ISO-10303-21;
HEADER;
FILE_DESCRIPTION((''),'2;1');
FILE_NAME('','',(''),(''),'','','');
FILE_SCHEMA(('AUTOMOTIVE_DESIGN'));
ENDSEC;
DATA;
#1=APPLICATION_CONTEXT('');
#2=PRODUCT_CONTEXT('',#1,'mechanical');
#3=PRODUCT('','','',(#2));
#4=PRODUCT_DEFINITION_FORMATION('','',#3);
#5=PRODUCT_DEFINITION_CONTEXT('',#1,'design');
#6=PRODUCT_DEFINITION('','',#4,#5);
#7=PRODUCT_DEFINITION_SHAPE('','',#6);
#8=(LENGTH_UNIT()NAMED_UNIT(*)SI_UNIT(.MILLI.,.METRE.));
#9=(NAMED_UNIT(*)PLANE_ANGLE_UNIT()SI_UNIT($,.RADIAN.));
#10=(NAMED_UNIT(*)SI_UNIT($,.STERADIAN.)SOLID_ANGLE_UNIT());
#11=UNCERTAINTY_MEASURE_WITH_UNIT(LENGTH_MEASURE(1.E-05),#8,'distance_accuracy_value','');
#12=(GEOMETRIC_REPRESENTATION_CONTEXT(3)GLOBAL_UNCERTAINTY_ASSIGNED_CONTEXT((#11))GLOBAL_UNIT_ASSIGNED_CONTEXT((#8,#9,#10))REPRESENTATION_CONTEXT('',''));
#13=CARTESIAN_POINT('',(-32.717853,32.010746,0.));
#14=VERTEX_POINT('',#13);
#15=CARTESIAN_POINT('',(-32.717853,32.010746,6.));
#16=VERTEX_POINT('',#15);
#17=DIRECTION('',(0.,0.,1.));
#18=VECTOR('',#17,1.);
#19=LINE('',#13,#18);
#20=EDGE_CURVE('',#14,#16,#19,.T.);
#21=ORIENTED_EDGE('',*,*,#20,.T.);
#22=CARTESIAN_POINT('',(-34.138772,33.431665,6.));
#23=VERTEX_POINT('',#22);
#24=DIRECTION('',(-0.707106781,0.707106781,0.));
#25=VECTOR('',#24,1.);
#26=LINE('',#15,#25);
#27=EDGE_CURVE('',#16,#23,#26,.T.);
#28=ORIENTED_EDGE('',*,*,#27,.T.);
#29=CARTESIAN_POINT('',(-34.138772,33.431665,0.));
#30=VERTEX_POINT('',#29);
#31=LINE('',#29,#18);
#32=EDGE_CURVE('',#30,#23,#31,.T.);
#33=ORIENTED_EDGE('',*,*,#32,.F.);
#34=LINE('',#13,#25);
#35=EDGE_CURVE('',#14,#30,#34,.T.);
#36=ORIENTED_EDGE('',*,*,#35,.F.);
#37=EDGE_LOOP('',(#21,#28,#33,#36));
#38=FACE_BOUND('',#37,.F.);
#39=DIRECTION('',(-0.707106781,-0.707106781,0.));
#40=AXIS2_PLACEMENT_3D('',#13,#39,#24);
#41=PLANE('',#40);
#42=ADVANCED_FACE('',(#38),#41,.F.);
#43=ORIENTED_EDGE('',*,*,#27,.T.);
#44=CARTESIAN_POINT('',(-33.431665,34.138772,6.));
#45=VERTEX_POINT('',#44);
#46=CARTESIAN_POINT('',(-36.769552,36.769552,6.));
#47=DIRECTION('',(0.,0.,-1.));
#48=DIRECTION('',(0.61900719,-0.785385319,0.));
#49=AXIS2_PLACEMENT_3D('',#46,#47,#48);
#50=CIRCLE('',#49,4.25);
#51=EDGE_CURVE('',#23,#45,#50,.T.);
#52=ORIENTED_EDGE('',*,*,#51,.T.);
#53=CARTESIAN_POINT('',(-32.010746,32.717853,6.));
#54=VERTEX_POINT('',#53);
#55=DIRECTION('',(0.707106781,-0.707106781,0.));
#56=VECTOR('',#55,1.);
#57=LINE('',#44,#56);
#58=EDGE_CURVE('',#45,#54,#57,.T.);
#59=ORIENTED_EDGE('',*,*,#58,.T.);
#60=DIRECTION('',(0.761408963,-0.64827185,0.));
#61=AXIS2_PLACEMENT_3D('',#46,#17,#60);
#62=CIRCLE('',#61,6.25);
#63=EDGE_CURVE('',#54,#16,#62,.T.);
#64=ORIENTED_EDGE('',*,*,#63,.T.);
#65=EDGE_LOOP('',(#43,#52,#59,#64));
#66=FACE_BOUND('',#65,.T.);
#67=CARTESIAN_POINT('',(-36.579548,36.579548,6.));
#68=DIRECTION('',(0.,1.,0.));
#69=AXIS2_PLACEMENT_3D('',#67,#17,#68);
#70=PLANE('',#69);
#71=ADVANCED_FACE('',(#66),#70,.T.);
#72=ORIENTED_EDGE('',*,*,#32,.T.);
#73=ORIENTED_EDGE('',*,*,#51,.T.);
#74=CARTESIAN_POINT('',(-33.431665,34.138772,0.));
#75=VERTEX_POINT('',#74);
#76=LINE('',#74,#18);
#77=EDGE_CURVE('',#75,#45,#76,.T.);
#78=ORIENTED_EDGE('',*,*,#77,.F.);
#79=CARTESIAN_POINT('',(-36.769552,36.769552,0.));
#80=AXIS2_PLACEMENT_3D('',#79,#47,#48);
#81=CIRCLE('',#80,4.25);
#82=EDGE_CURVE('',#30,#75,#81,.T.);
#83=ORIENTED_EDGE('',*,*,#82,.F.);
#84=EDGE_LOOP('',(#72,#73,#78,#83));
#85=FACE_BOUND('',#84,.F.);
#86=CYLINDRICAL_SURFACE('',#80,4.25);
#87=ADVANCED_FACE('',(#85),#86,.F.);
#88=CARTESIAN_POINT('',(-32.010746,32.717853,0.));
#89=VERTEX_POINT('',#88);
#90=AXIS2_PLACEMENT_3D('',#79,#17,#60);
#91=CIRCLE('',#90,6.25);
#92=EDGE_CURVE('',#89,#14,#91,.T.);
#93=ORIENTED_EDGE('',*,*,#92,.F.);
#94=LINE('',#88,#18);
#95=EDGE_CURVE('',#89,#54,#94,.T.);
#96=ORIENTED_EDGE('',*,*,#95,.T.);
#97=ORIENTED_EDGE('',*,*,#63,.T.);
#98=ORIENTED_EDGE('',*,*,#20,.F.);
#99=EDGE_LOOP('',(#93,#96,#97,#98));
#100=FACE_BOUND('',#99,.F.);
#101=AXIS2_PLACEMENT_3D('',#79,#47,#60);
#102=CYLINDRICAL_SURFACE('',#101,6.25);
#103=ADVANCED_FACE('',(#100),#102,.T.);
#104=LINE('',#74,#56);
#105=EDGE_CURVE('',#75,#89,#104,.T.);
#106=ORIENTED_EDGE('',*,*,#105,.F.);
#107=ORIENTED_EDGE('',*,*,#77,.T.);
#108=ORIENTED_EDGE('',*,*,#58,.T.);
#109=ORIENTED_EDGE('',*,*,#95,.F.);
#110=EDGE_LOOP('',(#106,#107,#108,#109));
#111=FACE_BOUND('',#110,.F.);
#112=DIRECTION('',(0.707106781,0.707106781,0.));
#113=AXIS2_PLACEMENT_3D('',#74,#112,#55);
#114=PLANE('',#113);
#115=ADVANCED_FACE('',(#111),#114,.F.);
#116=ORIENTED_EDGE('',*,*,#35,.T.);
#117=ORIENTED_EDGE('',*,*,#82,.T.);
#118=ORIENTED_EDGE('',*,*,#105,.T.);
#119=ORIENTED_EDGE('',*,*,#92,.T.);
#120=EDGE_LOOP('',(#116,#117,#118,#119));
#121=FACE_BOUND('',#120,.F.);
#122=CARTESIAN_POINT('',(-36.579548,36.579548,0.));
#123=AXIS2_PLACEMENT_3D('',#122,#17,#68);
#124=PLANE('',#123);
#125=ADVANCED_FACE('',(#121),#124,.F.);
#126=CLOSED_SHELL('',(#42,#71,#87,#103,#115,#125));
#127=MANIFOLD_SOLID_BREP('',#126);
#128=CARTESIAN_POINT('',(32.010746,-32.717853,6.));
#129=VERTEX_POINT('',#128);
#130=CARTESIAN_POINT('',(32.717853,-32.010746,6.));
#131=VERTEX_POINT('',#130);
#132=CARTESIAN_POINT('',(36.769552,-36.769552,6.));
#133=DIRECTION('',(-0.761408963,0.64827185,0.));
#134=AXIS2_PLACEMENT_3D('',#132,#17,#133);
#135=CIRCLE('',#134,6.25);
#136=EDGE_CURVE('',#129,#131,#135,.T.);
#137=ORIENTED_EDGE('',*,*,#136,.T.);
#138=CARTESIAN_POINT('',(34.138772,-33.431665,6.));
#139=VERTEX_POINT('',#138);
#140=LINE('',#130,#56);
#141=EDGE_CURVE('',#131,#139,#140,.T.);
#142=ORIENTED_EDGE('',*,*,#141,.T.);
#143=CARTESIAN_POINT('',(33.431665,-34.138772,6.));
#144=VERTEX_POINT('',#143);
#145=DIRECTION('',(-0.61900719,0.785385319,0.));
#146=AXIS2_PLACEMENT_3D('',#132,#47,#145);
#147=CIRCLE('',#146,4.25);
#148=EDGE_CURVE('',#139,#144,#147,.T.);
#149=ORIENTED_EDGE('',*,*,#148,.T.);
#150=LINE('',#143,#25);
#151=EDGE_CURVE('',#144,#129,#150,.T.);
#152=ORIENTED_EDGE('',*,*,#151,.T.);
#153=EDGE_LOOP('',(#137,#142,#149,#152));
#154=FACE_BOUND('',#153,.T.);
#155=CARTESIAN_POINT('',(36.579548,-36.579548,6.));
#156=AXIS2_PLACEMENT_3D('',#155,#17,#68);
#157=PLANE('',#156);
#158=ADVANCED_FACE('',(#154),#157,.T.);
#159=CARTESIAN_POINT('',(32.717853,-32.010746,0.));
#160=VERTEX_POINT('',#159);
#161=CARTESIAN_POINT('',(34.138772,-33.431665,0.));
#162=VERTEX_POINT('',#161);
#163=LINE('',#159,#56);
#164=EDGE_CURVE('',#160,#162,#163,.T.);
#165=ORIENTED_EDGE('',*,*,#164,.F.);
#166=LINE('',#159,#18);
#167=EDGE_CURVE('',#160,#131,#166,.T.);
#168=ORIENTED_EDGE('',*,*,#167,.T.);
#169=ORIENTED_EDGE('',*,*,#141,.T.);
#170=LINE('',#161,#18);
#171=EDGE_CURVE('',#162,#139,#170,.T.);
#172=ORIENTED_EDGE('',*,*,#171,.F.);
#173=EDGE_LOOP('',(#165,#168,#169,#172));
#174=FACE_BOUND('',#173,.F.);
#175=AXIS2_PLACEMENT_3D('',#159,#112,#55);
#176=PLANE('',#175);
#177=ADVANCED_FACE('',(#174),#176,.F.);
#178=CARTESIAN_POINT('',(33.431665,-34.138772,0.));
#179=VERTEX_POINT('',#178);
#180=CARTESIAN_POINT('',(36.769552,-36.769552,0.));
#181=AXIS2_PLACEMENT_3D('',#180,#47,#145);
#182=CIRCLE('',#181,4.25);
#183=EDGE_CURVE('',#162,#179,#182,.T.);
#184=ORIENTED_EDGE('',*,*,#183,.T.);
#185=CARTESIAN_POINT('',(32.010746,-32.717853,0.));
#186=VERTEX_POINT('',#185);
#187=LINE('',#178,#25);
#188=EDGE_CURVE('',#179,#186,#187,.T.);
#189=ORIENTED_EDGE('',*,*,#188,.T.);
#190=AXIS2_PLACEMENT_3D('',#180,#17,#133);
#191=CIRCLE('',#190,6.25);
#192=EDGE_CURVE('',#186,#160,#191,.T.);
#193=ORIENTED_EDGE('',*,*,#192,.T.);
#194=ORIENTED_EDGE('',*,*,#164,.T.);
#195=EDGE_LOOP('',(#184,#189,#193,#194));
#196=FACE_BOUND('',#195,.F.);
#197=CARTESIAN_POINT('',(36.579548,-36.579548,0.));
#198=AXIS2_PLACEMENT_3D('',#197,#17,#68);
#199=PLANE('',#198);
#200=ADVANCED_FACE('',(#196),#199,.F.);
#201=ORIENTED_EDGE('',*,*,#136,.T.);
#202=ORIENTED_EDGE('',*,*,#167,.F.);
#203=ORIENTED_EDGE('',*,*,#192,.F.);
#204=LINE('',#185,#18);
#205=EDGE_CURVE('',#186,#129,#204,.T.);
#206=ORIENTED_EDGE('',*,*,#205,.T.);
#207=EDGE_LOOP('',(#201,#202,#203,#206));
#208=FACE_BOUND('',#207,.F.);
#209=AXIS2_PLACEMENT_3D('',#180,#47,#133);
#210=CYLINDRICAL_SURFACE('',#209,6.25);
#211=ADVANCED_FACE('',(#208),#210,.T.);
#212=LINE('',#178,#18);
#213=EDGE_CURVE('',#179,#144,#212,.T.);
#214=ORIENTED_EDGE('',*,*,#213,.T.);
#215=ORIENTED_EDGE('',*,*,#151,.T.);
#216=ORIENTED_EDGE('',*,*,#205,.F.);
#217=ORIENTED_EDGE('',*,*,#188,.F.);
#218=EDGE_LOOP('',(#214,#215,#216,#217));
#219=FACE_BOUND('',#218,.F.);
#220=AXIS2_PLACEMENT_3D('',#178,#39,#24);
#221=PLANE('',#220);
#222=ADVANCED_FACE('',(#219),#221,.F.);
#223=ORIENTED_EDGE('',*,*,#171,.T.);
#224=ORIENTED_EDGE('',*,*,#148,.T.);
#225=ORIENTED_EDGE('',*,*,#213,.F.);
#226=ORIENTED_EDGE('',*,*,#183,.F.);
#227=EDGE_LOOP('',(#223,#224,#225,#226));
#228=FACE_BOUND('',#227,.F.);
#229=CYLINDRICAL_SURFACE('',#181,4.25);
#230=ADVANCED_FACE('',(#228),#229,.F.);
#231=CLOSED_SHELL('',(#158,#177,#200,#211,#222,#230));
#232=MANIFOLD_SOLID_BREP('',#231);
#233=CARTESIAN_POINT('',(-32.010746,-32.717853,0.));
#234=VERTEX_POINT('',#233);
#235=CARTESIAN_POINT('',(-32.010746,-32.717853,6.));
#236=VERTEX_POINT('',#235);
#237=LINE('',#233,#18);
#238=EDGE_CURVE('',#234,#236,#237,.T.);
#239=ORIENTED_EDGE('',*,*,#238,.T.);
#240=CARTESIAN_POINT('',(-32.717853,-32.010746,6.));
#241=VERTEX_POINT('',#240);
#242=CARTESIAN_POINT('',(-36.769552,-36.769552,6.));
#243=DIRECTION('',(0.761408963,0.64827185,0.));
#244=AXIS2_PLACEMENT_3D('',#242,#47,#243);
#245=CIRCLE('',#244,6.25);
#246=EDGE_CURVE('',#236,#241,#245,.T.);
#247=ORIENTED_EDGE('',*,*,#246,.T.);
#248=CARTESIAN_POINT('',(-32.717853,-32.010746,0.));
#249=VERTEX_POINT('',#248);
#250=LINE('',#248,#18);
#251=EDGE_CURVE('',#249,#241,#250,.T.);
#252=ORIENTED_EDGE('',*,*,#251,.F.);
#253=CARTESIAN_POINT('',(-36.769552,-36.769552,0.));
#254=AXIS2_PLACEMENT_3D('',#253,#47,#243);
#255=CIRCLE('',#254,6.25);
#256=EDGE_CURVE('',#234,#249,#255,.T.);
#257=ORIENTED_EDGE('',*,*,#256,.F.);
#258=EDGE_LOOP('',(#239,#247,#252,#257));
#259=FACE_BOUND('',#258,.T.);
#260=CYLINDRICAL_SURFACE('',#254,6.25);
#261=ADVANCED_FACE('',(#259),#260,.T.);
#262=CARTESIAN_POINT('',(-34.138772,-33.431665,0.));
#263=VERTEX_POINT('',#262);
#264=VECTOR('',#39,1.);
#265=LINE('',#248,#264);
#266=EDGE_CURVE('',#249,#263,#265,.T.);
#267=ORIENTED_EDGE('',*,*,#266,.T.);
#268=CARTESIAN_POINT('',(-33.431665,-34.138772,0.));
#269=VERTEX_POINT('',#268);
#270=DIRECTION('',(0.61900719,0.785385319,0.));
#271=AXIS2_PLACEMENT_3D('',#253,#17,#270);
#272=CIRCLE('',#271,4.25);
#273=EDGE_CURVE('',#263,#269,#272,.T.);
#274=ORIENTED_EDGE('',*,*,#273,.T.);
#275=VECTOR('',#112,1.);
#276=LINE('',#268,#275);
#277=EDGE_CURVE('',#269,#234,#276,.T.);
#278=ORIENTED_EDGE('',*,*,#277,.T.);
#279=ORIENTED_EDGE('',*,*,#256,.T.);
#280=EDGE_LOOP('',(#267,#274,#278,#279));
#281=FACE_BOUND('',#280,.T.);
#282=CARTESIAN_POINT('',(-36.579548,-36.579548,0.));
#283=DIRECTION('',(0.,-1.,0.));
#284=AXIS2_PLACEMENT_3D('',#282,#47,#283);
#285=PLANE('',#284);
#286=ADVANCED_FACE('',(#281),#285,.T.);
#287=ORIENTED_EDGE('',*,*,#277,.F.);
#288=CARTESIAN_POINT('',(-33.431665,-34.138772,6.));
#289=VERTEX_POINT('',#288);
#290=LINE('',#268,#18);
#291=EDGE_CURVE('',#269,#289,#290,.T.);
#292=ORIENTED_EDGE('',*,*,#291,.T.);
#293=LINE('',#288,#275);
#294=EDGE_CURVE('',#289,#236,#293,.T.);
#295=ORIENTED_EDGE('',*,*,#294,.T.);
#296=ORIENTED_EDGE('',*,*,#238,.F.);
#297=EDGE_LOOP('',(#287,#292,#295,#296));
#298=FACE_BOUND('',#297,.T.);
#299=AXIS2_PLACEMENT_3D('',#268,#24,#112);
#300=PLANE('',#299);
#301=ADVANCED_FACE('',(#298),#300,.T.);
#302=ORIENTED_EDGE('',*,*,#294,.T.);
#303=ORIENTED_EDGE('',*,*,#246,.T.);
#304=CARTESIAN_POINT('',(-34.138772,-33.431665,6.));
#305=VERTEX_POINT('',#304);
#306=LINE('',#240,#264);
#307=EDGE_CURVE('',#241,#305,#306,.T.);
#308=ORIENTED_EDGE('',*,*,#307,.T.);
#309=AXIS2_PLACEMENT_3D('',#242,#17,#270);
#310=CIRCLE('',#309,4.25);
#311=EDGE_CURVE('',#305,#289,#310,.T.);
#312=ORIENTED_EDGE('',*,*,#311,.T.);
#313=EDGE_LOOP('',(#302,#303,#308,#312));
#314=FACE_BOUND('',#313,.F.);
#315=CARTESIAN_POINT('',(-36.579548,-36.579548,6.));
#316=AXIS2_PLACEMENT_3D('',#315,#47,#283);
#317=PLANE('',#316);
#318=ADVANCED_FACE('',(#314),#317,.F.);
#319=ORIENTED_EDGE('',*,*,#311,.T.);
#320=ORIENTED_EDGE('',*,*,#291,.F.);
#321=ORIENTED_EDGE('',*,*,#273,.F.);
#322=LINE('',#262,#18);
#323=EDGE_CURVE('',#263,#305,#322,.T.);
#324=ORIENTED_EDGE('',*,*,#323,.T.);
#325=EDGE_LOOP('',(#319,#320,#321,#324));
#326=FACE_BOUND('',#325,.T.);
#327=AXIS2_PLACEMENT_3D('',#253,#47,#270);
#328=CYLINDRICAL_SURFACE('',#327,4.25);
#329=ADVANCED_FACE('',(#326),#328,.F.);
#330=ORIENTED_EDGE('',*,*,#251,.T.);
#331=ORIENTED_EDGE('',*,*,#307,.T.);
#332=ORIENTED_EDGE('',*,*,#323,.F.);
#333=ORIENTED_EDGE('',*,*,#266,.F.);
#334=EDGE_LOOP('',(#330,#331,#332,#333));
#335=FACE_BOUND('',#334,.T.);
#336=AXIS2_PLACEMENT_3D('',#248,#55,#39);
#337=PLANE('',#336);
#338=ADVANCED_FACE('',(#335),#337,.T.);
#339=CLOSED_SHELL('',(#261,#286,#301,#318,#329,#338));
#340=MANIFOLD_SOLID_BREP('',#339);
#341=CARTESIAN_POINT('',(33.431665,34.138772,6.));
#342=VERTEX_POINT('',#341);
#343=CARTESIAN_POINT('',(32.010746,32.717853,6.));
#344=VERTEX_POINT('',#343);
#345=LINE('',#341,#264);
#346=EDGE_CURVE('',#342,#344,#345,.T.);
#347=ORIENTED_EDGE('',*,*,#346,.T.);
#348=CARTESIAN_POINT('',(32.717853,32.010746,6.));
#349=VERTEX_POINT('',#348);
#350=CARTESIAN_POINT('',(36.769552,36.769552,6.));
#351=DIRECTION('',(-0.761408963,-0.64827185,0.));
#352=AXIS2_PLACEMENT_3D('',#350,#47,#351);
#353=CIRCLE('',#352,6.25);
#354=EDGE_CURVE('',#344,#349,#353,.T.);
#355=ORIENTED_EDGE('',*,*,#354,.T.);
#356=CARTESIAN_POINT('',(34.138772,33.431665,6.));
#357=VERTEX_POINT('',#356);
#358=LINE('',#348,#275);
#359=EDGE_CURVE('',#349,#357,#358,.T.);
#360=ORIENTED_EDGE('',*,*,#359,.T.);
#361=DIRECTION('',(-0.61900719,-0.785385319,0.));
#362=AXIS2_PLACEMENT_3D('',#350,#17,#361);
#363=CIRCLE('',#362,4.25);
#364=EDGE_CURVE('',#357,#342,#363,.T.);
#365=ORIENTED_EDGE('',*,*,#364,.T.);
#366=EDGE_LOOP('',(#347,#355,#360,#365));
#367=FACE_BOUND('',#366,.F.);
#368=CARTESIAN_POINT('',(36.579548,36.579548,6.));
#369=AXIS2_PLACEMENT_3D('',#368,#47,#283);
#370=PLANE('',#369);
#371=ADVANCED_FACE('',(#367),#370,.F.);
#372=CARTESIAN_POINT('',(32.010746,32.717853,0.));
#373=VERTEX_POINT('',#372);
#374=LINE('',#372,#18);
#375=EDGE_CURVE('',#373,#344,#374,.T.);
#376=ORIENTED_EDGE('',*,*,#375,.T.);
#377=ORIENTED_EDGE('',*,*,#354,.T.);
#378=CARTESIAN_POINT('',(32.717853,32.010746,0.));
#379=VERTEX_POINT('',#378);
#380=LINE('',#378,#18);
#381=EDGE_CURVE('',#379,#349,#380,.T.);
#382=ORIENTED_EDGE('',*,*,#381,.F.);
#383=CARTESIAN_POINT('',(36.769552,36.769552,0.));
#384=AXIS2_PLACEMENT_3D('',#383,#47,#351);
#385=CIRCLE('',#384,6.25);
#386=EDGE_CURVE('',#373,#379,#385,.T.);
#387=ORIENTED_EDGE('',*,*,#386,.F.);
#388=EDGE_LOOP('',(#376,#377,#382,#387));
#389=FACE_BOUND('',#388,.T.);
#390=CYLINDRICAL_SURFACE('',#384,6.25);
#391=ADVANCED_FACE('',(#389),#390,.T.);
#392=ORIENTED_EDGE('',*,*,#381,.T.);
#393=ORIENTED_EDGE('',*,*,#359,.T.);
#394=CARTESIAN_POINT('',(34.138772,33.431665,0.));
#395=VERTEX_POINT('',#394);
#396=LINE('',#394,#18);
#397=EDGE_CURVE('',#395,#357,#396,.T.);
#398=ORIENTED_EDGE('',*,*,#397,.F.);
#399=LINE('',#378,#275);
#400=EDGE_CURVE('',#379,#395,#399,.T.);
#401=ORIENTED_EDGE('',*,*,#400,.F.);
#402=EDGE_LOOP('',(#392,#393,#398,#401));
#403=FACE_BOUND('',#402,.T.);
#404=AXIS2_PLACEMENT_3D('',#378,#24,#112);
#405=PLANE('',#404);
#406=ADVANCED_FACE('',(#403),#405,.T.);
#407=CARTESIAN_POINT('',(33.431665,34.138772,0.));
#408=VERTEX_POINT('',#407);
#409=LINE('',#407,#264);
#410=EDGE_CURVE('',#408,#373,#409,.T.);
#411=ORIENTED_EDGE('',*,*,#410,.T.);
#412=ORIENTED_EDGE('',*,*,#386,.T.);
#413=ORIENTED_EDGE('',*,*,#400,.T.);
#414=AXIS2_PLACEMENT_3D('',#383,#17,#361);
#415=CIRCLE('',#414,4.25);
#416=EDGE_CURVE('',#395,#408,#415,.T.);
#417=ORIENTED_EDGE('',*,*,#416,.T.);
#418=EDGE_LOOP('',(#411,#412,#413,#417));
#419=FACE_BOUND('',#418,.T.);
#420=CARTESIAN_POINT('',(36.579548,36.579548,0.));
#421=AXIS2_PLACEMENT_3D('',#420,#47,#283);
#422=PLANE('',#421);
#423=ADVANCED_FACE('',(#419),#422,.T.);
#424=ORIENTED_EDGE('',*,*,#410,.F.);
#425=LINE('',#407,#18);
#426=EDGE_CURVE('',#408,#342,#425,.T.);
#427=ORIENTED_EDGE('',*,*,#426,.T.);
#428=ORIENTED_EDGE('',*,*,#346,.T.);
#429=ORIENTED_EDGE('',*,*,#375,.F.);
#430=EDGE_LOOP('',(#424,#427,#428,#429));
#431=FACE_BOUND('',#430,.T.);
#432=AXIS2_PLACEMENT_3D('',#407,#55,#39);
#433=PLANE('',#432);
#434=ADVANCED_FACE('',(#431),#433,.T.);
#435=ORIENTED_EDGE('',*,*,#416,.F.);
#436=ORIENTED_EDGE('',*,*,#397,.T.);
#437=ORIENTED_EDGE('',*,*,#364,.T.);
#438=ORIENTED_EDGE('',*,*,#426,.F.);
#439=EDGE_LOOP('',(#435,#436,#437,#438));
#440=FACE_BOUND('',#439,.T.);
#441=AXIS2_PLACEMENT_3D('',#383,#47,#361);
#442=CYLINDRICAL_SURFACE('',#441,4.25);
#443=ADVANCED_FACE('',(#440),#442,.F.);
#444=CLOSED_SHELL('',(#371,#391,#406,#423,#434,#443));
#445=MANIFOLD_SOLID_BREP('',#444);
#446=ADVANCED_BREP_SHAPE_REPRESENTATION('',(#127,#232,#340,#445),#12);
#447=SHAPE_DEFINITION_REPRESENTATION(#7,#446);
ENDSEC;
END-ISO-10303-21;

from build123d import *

# Parameters (mm, degrees)
EXTRUDE_DEPTH    = 6
EXTRUDE001_DEPTH = 6
EXTRUDE002_DEPTH = 6
EXTRUDE003_DEPTH = 6


with BuildPart() as extrude_body:
    # Face → Extrude (new body)
    with BuildSketch(Plane(origin=(-36.885616, 36.885616, 0), x_dir=(0, 1, 0), z_dir=(0, 0, 1))):
        with BuildLine():
            Line((-2.746844, -3.453951), (-4.167763, -4.87487))
            ThreePointArc((-4.167763, -4.87487), (4.303354, 4.303354), (-4.87487, -4.167763))
            Line((-4.87487, -4.167763), (-3.453951, -2.746844))
            ThreePointArc((-3.453951, -2.746844), (2.88914, 2.88914), (-2.746844, -3.453951))
        make_face()
    extrude(amount=EXTRUDE_DEPTH)


with BuildPart() as extrude001:
    # Face001 → Extrude001 (new body)
    with BuildSketch(Plane(origin=(36.885616, 36.885616, 0), x_dir=(0, -1, 0), z_dir=(0, 0, -1))):
        with BuildLine():
            Line((2.746844, 3.453951), (4.167763, 4.87487))
            ThreePointArc((4.167763, 4.87487), (-4.303354, -4.303354), (4.87487, 4.167763))
            Line((4.87487, 4.167763), (3.453951, 2.746844))
            ThreePointArc((3.453951, 2.746844), (-2.88914, -2.88914), (2.746844, 3.453951))
        make_face()
    extrude(amount=-EXTRUDE001_DEPTH)


with BuildPart() as extrude002:
    # Face002 → Extrude002 (new body)
    with BuildSketch(Plane(origin=(36.885616, -36.885616, 0), x_dir=(0, 1, 0), z_dir=(0, 0, 1))):
        with BuildLine():
            Line((2.746844, 3.453951), (4.167763, 4.87487))
            ThreePointArc((4.167763, 4.87487), (-4.303354, -4.303354), (4.87487, 4.167763))
            Line((4.87487, 4.167763), (3.453951, 2.746844))
            ThreePointArc((3.453951, 2.746844), (-2.88914, -2.88914), (2.746844, 3.453951))
        make_face()
    extrude(amount=EXTRUDE002_DEPTH)


with BuildPart() as extrude003:
    # Face003 → Extrude003 (new body)
    with BuildSketch(Plane(origin=(-36.885616, -36.885616, 0), x_dir=(0, -1, 0), z_dir=(0, 0, -1))):
        with BuildLine():
            Line((-2.746844, -3.453951), (-4.167763, -4.87487))
            ThreePointArc((-4.167763, -4.87487), (4.303354, 4.303354), (-4.87487, -4.167763))
            Line((-4.87487, -4.167763), (-3.453951, -2.746844))
            ThreePointArc((-3.453951, -2.746844), (2.88914, 2.88914), (-2.746844, -3.453951))
        make_face()
    extrude(amount=-EXTRUDE003_DEPTH)


solid = Compound([extrude_body.part, extrude001.part, extrude002.part, extrude003.part])
